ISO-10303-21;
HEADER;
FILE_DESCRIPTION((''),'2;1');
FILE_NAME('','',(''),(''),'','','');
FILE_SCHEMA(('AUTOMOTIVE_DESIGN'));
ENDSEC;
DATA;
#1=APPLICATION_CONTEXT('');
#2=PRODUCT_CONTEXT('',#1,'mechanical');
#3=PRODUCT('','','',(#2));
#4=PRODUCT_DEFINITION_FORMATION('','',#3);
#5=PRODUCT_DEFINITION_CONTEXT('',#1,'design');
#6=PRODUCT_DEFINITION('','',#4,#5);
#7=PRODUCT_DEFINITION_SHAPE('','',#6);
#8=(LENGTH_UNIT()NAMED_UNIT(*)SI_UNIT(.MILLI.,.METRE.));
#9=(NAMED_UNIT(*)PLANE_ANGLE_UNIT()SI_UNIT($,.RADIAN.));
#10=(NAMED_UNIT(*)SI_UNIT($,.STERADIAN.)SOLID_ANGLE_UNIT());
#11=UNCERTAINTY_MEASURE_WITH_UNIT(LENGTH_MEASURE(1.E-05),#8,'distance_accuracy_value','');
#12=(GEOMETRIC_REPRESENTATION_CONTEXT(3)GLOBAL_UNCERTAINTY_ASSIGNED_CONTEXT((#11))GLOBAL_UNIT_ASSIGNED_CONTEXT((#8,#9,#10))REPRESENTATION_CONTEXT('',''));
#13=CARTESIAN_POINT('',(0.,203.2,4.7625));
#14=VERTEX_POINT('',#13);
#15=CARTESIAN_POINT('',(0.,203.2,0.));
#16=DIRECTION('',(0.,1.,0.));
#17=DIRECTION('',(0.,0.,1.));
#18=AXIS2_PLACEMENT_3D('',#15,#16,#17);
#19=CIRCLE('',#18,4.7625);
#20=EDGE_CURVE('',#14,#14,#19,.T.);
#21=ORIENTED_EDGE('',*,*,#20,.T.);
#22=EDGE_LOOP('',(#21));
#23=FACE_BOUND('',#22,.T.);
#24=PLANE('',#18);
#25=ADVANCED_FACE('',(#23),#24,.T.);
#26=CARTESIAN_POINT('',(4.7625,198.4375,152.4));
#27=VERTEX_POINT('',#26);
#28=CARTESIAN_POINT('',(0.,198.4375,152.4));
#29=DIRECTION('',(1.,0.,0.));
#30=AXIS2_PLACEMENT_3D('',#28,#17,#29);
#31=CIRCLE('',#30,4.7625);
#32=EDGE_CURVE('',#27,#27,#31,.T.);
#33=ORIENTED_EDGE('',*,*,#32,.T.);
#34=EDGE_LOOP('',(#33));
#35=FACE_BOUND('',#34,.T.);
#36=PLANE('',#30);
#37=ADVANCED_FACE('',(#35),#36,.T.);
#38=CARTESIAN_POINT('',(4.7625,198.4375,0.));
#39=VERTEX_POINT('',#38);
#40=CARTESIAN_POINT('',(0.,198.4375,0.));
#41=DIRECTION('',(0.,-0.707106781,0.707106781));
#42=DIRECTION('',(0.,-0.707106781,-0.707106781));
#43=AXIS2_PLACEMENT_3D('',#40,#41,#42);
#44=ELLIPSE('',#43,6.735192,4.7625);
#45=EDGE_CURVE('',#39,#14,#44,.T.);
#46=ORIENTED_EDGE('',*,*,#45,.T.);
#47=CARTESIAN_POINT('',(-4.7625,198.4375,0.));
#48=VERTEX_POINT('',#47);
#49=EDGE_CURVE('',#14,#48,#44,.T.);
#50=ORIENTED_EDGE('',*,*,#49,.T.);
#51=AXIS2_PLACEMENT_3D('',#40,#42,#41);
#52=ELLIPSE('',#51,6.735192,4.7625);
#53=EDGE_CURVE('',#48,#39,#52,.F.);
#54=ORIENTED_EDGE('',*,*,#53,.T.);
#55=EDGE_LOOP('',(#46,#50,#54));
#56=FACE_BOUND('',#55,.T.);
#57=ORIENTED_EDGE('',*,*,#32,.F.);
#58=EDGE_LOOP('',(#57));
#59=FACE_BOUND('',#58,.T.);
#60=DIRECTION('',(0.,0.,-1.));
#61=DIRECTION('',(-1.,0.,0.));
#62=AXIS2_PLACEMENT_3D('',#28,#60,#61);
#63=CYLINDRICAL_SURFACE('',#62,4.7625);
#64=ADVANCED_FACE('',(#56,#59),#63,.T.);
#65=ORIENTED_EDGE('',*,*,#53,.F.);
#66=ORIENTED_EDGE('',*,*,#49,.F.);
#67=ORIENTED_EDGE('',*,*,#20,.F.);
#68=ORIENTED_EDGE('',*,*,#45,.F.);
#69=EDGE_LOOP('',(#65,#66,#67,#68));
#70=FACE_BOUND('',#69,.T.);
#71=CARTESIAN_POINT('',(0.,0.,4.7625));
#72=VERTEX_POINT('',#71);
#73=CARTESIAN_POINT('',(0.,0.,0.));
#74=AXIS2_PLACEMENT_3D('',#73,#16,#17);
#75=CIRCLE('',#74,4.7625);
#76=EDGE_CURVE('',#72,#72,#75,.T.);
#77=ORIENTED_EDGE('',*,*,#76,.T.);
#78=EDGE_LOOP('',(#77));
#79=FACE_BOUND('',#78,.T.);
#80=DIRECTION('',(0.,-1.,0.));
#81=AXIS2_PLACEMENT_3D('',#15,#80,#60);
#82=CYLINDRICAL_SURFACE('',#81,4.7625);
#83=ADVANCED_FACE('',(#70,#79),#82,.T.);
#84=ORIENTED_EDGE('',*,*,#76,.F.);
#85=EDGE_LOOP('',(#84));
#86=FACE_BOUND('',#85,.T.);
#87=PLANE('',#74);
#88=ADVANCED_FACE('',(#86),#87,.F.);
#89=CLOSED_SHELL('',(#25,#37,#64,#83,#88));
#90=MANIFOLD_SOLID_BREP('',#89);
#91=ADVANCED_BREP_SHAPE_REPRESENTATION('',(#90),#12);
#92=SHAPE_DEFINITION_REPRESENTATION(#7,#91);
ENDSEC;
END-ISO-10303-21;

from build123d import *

# Parameters (mm, degrees)
SKETCH1_R           = 4.7625
BOSS_EXTRUDE1_DEPTH = 203.2
SKETCH2_R           = 4.7625
BOSS_EXTRUDE2_DEPTH = 152.4


with BuildPart() as part:
    # Sketch1 → Boss-Extrude1 (new body)
    with BuildSketch(Plane(origin=(0, 0, 0), x_dir=(1, 0, 0), z_dir=(0, 1, 0))):
        with Locations(Location((0, 0, 0), (0, 0, 270))):
            Circle(SKETCH1_R)
    extrude(amount=BOSS_EXTRUDE1_DEPTH)

    # Sketch2 → Boss-Extrude2 (add)
    with BuildSketch(Plane.XY):
        with Locations((0, 198.4375)):
            Circle(SKETCH2_R)
    extrude(amount=BOSS_EXTRUDE2_DEPTH)


solid = part.part
